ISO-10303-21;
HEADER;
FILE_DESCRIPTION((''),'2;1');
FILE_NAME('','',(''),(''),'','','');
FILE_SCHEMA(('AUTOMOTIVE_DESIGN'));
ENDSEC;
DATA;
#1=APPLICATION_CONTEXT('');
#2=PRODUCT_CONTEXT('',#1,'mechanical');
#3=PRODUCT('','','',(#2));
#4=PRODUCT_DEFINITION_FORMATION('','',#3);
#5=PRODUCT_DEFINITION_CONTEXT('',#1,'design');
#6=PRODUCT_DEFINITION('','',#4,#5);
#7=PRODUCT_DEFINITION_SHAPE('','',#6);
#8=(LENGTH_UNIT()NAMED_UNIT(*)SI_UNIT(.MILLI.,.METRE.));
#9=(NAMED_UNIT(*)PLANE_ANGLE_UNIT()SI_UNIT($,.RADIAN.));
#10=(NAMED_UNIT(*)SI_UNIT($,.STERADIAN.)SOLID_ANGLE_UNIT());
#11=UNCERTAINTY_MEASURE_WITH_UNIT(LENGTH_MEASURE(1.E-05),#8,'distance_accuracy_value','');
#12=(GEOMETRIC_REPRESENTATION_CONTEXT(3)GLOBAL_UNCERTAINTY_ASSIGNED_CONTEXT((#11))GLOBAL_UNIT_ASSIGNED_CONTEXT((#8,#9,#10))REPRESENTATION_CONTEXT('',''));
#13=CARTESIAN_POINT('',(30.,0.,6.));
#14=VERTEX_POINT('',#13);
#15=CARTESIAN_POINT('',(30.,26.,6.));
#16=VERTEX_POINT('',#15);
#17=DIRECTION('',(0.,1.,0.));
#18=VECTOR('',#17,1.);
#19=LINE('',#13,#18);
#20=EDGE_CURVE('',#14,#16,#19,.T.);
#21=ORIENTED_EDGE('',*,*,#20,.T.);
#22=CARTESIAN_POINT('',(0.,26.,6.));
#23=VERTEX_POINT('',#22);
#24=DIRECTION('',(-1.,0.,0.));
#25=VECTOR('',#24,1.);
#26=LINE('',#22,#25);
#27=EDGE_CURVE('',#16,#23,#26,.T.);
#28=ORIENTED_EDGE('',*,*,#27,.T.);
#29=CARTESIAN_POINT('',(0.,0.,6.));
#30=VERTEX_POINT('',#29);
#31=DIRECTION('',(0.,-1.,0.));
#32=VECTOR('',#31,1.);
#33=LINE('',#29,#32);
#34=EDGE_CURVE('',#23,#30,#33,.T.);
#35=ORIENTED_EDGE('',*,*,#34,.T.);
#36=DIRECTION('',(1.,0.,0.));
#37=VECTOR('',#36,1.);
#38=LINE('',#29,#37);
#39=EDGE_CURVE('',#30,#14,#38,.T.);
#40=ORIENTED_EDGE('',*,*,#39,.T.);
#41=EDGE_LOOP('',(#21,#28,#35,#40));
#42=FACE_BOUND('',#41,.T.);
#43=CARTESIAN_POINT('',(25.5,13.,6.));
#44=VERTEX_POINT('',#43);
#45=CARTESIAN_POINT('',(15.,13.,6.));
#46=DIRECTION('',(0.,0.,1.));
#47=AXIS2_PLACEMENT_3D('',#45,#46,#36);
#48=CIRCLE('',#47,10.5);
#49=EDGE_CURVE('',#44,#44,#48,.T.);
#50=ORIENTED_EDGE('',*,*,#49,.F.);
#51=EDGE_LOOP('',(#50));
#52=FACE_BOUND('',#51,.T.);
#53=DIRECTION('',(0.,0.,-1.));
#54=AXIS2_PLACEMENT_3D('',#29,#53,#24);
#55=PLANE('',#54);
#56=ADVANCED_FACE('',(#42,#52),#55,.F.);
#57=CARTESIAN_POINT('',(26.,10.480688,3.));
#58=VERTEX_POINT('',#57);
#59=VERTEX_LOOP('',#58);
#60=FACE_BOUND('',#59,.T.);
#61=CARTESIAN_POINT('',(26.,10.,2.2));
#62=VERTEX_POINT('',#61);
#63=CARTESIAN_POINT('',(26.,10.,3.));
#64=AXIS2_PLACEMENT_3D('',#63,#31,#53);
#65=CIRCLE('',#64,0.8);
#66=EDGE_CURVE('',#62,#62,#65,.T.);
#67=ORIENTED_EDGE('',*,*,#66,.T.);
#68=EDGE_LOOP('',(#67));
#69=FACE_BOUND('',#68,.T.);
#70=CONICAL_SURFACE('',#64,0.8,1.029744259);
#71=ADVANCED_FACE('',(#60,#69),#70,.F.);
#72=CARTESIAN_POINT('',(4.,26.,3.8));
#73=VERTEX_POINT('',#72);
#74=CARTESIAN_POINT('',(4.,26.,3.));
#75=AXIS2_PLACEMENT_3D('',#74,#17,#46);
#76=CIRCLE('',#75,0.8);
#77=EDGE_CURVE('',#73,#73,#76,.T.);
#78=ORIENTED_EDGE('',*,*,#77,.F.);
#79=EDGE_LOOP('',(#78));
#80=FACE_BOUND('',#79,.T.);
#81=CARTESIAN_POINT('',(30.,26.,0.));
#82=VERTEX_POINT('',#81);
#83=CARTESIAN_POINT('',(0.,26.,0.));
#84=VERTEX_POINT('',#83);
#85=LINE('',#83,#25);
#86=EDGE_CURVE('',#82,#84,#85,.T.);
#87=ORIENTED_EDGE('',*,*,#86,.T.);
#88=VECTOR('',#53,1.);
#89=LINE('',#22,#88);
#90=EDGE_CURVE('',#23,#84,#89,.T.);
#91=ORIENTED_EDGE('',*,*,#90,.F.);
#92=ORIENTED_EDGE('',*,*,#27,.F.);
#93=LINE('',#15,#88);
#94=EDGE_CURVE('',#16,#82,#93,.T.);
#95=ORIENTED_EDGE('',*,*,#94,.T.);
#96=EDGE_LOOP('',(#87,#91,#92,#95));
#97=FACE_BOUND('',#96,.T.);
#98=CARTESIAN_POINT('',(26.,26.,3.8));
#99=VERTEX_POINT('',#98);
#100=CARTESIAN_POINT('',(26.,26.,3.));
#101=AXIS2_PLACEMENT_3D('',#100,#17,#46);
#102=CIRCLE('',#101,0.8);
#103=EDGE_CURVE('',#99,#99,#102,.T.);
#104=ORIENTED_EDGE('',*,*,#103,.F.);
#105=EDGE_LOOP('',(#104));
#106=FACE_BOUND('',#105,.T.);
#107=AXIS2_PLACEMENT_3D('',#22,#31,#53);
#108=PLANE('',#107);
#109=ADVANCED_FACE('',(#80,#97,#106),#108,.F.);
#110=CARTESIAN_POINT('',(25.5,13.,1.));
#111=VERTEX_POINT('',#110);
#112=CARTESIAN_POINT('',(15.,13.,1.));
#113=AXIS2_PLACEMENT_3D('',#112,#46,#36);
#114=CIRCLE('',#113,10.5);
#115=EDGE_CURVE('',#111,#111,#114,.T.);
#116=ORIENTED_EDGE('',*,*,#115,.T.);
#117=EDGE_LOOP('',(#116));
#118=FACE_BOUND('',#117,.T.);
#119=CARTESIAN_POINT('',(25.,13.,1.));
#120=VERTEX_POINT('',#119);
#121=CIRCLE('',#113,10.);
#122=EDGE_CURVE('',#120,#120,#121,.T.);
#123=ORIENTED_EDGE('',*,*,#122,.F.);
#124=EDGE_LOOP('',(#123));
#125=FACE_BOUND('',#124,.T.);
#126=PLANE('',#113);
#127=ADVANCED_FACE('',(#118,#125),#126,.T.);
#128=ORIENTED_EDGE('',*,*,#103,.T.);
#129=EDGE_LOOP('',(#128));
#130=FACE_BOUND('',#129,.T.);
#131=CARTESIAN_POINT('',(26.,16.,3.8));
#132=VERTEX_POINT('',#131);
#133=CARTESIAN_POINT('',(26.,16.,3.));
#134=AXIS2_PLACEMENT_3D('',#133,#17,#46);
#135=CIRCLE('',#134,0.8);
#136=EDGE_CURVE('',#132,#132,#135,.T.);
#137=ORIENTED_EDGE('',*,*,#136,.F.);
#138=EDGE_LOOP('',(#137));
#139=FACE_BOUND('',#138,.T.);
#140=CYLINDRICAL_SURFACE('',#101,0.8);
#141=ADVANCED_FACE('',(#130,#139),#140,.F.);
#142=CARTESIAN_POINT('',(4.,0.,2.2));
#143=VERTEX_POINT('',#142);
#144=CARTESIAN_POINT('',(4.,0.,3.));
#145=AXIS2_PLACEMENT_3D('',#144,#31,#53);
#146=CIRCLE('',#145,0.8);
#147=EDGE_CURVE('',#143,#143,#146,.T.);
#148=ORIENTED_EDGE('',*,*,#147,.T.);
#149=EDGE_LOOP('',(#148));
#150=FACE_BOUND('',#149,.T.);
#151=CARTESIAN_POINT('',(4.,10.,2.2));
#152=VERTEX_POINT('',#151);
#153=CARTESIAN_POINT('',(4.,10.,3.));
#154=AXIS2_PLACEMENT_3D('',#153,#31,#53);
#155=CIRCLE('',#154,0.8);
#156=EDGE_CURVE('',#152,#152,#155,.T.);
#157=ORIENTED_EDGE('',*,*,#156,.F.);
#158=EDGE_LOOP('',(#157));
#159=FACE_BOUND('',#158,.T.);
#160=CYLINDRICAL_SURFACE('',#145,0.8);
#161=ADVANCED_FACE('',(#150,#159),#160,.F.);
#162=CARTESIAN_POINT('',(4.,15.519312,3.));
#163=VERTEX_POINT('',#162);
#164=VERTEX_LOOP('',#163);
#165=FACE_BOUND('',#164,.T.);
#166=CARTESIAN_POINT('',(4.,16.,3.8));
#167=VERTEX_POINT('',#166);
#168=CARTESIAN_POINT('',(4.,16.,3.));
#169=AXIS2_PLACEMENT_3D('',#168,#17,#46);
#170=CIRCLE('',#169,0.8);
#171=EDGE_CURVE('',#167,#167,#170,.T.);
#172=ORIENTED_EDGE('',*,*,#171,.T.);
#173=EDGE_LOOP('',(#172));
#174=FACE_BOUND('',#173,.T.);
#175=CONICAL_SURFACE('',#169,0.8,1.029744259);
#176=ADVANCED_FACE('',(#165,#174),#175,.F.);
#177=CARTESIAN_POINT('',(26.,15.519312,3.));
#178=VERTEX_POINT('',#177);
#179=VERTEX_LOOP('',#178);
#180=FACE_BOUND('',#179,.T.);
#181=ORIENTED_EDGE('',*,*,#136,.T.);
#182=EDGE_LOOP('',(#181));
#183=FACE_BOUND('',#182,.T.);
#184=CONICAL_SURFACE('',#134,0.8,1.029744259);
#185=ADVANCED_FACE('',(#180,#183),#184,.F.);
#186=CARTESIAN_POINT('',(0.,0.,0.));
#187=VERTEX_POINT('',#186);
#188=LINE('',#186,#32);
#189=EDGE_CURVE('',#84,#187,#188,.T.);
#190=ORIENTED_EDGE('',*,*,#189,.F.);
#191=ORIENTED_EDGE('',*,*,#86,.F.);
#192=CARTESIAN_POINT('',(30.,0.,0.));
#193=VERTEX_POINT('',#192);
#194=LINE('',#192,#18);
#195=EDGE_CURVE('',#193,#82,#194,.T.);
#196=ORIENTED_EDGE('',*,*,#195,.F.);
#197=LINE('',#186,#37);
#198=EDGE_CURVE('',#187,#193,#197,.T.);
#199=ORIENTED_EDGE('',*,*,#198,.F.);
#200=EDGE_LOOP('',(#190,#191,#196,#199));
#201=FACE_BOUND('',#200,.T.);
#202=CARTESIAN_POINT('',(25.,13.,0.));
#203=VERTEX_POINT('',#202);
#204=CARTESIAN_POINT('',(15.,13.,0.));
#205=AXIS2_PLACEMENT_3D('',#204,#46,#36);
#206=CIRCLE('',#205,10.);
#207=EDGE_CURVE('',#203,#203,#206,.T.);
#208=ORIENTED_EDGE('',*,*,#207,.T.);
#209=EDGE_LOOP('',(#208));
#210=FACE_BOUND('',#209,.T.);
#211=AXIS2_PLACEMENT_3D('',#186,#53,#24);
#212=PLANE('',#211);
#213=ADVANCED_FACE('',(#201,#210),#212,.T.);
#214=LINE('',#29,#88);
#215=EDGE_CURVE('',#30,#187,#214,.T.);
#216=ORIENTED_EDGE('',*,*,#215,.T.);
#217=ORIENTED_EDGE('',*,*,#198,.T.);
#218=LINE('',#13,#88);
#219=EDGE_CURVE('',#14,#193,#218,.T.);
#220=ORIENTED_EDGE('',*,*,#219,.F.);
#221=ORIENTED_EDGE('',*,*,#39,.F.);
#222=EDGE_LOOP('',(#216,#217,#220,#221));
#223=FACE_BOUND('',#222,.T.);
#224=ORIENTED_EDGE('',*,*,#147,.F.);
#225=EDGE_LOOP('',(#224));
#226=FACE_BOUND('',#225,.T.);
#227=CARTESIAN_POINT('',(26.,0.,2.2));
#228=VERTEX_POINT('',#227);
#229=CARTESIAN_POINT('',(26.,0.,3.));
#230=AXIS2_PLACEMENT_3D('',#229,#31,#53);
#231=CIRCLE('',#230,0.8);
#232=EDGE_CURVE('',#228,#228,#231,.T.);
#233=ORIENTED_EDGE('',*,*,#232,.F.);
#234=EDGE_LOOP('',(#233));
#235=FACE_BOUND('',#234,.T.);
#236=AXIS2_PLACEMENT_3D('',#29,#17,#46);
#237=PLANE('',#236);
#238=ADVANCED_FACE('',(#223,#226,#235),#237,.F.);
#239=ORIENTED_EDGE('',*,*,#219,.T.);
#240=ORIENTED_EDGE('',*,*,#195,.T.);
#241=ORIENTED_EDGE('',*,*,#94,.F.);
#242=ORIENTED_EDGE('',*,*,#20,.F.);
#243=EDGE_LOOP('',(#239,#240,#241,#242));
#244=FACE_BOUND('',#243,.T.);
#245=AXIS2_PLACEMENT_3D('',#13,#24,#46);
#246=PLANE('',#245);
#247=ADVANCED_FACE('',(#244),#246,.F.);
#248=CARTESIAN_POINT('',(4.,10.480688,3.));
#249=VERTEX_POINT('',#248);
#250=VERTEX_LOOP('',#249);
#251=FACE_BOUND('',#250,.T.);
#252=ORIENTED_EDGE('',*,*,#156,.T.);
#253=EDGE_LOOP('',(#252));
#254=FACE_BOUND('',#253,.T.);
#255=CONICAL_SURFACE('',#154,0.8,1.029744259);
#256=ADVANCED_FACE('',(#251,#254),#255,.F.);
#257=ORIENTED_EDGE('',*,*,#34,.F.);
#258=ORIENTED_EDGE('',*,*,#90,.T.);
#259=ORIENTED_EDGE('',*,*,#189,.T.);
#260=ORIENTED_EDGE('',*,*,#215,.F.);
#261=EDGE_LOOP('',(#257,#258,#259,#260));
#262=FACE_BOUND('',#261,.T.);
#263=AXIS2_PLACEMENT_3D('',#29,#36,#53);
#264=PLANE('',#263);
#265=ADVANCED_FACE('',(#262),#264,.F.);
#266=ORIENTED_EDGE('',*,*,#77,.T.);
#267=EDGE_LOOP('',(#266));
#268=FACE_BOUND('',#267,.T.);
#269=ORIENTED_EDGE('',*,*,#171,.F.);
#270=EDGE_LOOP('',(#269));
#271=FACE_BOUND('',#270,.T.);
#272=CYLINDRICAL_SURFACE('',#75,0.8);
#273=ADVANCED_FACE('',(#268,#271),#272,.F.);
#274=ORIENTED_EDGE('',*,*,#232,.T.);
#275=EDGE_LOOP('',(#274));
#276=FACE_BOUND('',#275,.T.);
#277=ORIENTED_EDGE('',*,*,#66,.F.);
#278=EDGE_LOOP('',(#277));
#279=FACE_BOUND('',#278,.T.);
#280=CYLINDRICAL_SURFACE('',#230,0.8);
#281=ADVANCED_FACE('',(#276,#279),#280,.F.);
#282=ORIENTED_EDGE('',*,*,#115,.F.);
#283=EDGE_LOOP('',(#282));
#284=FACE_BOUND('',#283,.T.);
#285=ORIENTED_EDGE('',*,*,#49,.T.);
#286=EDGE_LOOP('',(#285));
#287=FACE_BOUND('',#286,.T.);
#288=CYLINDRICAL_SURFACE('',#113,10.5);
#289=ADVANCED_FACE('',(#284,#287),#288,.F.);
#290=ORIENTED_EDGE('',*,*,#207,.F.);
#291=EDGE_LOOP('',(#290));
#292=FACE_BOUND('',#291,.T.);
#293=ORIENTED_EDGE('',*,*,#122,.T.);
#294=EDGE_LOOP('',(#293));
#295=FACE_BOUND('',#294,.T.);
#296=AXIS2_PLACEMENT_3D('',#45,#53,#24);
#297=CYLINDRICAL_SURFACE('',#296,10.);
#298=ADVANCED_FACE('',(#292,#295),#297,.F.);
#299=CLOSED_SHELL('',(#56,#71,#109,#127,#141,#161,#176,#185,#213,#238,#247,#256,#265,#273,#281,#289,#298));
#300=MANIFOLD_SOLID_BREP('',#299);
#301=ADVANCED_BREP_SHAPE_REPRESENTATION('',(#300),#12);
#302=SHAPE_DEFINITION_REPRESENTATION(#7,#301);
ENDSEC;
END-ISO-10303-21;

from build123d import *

# Parameters (mm, degrees)
ESQUISSE1_W                                   = 30
ESQUISSE1_H                                   = 26
ESQUISSE1_R                                   = 10
BOSS_EXTRU_1_DEPTH                            = 6
ESQUISSE2_R                                   = 10.5
ENL_V_MAT_EXTRU_1_DEPTH                       = 5
TROU_POUR_TARAUDAGE_POUR_TROU_TARAUD_M2_D     = 1.6
TROU_POUR_TARAUDAGE_POUR_TROU_TARAUD_M2_DEPTH = 10
TROU_POUR_TARAUDAGE_POUR_TROU_TARAUD_M2_TIP   = 0.480688495
TROU_POUR_TARAUDAGE_POUR_TROU_TARAUD_2_D      = 1.6
TROU_POUR_TARAUDAGE_POUR_TROU_TARAUD_2_DEPTH  = 10
TROU_POUR_TARAUDAGE_POUR_TROU_TARAUD_2_TIP    = 0.480688495


with BuildPart() as part:
    # Esquisse1 → Boss.-Extru.1 (new body)
    with BuildSketch(Plane.XY):
        with Locations((15, 13)):
            Rectangle(ESQUISSE1_W, ESQUISSE1_H)
        with Locations((15, 13)):
            Circle(ESQUISSE1_R, mode=Mode.SUBTRACT)
    extrude(amount=BOSS_EXTRU_1_DEPTH)

    # Esquisse2 → Enlèv. mat.-Extru.1 (cut)
    with BuildSketch(Plane.XY.offset(6)):
        with Locations((15, 13)):
            Circle(ESQUISSE2_R)
    extrude(amount=-ENL_V_MAT_EXTRU_1_DEPTH, mode=Mode.SUBTRACT)

    # Trou pour taraudage pour trou taraud_ M2
    with Locations(Plane(origin=(0, 26, 0), x_dir=(1, 0, 0), z_dir=(0, 1, 0))):
        with Locations((4, -3), (26, -3)):
            Hole(TROU_POUR_TARAUDAGE_POUR_TROU_TARAUD_M2_D / 2, depth=TROU_POUR_TARAUDAGE_POUR_TROU_TARAUD_M2_DEPTH)
            with Locations((0, 0, -(TROU_POUR_TARAUDAGE_POUR_TROU_TARAUD_M2_DEPTH + TROU_POUR_TARAUDAGE_POUR_TROU_TARAUD_M2_TIP / 2))):  # 118° drill point
                Cone(0, TROU_POUR_TARAUDAGE_POUR_TROU_TARAUD_M2_D / 2, TROU_POUR_TARAUDAGE_POUR_TROU_TARAUD_M2_TIP, mode=Mode.SUBTRACT)

    # Trou pour taraudage pour trou taraud 2
    with Locations(Plane(origin=(0, 0, 0), x_dir=(-1, 0, 0), z_dir=(0, -1, 0))):
        with Locations((-26, -3), (-4, -3)):
            Hole(TROU_POUR_TARAUDAGE_POUR_TROU_TARAUD_2_D / 2, depth=TROU_POUR_TARAUDAGE_POUR_TROU_TARAUD_2_DEPTH)
            with Locations((0, 0, -(TROU_POUR_TARAUDAGE_POUR_TROU_TARAUD_2_DEPTH + TROU_POUR_TARAUDAGE_POUR_TROU_TARAUD_2_TIP / 2))):  # 118° drill point
                Cone(0, TROU_POUR_TARAUDAGE_POUR_TROU_TARAUD_2_D / 2, TROU_POUR_TARAUDAGE_POUR_TROU_TARAUD_2_TIP, mode=Mode.SUBTRACT)


solid = part.part
